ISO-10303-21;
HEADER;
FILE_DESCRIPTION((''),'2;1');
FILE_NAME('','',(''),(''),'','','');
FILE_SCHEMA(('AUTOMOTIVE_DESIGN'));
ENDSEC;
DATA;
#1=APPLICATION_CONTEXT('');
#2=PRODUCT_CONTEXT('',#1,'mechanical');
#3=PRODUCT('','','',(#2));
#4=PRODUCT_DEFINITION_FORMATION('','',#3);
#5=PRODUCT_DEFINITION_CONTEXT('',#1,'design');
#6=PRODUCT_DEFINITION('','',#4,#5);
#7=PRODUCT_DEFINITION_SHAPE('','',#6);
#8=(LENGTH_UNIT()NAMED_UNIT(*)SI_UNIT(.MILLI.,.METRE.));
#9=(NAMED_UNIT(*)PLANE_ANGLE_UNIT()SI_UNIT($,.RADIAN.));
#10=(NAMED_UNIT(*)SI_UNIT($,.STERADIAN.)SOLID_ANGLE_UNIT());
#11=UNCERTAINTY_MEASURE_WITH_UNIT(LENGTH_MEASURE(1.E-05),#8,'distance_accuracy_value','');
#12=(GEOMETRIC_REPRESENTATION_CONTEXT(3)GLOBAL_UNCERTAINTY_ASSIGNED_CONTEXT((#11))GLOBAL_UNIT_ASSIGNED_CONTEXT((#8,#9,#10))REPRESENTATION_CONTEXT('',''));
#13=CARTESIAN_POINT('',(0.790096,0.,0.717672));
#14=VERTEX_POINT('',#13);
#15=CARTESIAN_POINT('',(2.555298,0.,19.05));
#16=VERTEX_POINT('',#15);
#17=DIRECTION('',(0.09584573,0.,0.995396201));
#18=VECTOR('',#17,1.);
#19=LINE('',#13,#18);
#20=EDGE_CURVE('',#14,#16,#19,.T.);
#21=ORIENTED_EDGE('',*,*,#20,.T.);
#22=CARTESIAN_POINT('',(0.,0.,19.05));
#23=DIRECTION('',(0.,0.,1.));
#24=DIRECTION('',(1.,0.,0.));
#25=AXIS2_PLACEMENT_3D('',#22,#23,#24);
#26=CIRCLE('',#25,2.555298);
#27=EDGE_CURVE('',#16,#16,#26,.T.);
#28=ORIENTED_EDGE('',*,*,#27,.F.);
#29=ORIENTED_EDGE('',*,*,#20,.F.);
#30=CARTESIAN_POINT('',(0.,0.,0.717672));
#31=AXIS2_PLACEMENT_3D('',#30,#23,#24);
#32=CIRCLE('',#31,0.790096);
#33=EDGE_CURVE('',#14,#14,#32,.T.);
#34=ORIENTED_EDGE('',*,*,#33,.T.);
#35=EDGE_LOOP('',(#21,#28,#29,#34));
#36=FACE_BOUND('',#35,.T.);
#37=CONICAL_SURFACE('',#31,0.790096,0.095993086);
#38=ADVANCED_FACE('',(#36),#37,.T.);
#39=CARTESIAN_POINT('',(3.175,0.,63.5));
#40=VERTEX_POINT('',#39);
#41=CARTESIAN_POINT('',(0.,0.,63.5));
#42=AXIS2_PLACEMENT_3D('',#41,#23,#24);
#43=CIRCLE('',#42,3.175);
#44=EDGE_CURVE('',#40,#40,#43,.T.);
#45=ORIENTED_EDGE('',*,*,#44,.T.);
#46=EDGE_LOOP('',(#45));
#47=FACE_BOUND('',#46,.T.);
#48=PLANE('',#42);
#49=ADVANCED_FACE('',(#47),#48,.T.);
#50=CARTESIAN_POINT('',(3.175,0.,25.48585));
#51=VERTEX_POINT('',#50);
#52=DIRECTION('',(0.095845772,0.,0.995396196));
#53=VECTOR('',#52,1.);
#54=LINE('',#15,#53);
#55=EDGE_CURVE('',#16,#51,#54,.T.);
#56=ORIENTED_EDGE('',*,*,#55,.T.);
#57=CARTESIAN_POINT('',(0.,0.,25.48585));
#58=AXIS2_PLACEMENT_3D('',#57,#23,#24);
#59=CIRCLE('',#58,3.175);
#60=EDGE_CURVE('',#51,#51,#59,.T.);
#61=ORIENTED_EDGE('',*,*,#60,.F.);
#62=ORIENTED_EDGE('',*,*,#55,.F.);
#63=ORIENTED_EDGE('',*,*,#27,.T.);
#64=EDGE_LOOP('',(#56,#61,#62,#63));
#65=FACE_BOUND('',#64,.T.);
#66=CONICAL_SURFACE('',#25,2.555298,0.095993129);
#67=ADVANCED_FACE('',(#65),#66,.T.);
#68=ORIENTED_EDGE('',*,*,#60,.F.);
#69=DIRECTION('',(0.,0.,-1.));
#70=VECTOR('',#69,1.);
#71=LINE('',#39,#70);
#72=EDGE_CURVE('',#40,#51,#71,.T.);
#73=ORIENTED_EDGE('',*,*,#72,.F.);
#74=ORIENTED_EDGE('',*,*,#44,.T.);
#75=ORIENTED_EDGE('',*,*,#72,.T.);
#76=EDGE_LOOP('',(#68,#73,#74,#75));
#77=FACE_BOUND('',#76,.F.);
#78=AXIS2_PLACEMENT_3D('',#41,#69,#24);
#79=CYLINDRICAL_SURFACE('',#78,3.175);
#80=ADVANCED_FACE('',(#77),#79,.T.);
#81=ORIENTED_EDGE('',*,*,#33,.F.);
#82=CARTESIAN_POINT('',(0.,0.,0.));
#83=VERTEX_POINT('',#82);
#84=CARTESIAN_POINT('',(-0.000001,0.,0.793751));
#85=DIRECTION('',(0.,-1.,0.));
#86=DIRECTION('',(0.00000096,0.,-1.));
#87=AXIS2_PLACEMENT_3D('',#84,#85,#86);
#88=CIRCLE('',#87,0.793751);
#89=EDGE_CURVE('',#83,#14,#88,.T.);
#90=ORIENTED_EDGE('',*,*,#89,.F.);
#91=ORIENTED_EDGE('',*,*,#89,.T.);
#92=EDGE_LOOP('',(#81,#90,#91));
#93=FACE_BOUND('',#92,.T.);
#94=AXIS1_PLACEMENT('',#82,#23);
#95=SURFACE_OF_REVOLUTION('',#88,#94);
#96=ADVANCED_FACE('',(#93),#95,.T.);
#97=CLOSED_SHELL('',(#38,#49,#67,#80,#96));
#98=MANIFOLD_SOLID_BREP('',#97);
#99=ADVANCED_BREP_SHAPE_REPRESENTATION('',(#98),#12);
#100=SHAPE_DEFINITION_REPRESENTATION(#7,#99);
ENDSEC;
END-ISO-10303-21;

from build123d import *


with BuildPart() as part:
    # Sketch → Revolution (revolve)
    with BuildSketch(Plane.XZ):
        with BuildLine():
            Line((0, 63.5), (0, 0))
            ThreePointArc((0, 0), (0.533691, 0.206202), (0.790096, 0.717672))
            Line((0.790096, 0.717672), (2.555298, 19.05))
            Line((2.555298, 19.05), (3.175, 25.48585))
            Line((3.175, 25.49585), (3.175, 25.48585))
            Line((3.175, 63.5), (3.175, 25.49585))
            Line((3.175, 63.5), (0, 63.5))
        make_face()
    revolve(axis=Axis((0, 0, 0), (0, 0, 1)))


solid = part.part
